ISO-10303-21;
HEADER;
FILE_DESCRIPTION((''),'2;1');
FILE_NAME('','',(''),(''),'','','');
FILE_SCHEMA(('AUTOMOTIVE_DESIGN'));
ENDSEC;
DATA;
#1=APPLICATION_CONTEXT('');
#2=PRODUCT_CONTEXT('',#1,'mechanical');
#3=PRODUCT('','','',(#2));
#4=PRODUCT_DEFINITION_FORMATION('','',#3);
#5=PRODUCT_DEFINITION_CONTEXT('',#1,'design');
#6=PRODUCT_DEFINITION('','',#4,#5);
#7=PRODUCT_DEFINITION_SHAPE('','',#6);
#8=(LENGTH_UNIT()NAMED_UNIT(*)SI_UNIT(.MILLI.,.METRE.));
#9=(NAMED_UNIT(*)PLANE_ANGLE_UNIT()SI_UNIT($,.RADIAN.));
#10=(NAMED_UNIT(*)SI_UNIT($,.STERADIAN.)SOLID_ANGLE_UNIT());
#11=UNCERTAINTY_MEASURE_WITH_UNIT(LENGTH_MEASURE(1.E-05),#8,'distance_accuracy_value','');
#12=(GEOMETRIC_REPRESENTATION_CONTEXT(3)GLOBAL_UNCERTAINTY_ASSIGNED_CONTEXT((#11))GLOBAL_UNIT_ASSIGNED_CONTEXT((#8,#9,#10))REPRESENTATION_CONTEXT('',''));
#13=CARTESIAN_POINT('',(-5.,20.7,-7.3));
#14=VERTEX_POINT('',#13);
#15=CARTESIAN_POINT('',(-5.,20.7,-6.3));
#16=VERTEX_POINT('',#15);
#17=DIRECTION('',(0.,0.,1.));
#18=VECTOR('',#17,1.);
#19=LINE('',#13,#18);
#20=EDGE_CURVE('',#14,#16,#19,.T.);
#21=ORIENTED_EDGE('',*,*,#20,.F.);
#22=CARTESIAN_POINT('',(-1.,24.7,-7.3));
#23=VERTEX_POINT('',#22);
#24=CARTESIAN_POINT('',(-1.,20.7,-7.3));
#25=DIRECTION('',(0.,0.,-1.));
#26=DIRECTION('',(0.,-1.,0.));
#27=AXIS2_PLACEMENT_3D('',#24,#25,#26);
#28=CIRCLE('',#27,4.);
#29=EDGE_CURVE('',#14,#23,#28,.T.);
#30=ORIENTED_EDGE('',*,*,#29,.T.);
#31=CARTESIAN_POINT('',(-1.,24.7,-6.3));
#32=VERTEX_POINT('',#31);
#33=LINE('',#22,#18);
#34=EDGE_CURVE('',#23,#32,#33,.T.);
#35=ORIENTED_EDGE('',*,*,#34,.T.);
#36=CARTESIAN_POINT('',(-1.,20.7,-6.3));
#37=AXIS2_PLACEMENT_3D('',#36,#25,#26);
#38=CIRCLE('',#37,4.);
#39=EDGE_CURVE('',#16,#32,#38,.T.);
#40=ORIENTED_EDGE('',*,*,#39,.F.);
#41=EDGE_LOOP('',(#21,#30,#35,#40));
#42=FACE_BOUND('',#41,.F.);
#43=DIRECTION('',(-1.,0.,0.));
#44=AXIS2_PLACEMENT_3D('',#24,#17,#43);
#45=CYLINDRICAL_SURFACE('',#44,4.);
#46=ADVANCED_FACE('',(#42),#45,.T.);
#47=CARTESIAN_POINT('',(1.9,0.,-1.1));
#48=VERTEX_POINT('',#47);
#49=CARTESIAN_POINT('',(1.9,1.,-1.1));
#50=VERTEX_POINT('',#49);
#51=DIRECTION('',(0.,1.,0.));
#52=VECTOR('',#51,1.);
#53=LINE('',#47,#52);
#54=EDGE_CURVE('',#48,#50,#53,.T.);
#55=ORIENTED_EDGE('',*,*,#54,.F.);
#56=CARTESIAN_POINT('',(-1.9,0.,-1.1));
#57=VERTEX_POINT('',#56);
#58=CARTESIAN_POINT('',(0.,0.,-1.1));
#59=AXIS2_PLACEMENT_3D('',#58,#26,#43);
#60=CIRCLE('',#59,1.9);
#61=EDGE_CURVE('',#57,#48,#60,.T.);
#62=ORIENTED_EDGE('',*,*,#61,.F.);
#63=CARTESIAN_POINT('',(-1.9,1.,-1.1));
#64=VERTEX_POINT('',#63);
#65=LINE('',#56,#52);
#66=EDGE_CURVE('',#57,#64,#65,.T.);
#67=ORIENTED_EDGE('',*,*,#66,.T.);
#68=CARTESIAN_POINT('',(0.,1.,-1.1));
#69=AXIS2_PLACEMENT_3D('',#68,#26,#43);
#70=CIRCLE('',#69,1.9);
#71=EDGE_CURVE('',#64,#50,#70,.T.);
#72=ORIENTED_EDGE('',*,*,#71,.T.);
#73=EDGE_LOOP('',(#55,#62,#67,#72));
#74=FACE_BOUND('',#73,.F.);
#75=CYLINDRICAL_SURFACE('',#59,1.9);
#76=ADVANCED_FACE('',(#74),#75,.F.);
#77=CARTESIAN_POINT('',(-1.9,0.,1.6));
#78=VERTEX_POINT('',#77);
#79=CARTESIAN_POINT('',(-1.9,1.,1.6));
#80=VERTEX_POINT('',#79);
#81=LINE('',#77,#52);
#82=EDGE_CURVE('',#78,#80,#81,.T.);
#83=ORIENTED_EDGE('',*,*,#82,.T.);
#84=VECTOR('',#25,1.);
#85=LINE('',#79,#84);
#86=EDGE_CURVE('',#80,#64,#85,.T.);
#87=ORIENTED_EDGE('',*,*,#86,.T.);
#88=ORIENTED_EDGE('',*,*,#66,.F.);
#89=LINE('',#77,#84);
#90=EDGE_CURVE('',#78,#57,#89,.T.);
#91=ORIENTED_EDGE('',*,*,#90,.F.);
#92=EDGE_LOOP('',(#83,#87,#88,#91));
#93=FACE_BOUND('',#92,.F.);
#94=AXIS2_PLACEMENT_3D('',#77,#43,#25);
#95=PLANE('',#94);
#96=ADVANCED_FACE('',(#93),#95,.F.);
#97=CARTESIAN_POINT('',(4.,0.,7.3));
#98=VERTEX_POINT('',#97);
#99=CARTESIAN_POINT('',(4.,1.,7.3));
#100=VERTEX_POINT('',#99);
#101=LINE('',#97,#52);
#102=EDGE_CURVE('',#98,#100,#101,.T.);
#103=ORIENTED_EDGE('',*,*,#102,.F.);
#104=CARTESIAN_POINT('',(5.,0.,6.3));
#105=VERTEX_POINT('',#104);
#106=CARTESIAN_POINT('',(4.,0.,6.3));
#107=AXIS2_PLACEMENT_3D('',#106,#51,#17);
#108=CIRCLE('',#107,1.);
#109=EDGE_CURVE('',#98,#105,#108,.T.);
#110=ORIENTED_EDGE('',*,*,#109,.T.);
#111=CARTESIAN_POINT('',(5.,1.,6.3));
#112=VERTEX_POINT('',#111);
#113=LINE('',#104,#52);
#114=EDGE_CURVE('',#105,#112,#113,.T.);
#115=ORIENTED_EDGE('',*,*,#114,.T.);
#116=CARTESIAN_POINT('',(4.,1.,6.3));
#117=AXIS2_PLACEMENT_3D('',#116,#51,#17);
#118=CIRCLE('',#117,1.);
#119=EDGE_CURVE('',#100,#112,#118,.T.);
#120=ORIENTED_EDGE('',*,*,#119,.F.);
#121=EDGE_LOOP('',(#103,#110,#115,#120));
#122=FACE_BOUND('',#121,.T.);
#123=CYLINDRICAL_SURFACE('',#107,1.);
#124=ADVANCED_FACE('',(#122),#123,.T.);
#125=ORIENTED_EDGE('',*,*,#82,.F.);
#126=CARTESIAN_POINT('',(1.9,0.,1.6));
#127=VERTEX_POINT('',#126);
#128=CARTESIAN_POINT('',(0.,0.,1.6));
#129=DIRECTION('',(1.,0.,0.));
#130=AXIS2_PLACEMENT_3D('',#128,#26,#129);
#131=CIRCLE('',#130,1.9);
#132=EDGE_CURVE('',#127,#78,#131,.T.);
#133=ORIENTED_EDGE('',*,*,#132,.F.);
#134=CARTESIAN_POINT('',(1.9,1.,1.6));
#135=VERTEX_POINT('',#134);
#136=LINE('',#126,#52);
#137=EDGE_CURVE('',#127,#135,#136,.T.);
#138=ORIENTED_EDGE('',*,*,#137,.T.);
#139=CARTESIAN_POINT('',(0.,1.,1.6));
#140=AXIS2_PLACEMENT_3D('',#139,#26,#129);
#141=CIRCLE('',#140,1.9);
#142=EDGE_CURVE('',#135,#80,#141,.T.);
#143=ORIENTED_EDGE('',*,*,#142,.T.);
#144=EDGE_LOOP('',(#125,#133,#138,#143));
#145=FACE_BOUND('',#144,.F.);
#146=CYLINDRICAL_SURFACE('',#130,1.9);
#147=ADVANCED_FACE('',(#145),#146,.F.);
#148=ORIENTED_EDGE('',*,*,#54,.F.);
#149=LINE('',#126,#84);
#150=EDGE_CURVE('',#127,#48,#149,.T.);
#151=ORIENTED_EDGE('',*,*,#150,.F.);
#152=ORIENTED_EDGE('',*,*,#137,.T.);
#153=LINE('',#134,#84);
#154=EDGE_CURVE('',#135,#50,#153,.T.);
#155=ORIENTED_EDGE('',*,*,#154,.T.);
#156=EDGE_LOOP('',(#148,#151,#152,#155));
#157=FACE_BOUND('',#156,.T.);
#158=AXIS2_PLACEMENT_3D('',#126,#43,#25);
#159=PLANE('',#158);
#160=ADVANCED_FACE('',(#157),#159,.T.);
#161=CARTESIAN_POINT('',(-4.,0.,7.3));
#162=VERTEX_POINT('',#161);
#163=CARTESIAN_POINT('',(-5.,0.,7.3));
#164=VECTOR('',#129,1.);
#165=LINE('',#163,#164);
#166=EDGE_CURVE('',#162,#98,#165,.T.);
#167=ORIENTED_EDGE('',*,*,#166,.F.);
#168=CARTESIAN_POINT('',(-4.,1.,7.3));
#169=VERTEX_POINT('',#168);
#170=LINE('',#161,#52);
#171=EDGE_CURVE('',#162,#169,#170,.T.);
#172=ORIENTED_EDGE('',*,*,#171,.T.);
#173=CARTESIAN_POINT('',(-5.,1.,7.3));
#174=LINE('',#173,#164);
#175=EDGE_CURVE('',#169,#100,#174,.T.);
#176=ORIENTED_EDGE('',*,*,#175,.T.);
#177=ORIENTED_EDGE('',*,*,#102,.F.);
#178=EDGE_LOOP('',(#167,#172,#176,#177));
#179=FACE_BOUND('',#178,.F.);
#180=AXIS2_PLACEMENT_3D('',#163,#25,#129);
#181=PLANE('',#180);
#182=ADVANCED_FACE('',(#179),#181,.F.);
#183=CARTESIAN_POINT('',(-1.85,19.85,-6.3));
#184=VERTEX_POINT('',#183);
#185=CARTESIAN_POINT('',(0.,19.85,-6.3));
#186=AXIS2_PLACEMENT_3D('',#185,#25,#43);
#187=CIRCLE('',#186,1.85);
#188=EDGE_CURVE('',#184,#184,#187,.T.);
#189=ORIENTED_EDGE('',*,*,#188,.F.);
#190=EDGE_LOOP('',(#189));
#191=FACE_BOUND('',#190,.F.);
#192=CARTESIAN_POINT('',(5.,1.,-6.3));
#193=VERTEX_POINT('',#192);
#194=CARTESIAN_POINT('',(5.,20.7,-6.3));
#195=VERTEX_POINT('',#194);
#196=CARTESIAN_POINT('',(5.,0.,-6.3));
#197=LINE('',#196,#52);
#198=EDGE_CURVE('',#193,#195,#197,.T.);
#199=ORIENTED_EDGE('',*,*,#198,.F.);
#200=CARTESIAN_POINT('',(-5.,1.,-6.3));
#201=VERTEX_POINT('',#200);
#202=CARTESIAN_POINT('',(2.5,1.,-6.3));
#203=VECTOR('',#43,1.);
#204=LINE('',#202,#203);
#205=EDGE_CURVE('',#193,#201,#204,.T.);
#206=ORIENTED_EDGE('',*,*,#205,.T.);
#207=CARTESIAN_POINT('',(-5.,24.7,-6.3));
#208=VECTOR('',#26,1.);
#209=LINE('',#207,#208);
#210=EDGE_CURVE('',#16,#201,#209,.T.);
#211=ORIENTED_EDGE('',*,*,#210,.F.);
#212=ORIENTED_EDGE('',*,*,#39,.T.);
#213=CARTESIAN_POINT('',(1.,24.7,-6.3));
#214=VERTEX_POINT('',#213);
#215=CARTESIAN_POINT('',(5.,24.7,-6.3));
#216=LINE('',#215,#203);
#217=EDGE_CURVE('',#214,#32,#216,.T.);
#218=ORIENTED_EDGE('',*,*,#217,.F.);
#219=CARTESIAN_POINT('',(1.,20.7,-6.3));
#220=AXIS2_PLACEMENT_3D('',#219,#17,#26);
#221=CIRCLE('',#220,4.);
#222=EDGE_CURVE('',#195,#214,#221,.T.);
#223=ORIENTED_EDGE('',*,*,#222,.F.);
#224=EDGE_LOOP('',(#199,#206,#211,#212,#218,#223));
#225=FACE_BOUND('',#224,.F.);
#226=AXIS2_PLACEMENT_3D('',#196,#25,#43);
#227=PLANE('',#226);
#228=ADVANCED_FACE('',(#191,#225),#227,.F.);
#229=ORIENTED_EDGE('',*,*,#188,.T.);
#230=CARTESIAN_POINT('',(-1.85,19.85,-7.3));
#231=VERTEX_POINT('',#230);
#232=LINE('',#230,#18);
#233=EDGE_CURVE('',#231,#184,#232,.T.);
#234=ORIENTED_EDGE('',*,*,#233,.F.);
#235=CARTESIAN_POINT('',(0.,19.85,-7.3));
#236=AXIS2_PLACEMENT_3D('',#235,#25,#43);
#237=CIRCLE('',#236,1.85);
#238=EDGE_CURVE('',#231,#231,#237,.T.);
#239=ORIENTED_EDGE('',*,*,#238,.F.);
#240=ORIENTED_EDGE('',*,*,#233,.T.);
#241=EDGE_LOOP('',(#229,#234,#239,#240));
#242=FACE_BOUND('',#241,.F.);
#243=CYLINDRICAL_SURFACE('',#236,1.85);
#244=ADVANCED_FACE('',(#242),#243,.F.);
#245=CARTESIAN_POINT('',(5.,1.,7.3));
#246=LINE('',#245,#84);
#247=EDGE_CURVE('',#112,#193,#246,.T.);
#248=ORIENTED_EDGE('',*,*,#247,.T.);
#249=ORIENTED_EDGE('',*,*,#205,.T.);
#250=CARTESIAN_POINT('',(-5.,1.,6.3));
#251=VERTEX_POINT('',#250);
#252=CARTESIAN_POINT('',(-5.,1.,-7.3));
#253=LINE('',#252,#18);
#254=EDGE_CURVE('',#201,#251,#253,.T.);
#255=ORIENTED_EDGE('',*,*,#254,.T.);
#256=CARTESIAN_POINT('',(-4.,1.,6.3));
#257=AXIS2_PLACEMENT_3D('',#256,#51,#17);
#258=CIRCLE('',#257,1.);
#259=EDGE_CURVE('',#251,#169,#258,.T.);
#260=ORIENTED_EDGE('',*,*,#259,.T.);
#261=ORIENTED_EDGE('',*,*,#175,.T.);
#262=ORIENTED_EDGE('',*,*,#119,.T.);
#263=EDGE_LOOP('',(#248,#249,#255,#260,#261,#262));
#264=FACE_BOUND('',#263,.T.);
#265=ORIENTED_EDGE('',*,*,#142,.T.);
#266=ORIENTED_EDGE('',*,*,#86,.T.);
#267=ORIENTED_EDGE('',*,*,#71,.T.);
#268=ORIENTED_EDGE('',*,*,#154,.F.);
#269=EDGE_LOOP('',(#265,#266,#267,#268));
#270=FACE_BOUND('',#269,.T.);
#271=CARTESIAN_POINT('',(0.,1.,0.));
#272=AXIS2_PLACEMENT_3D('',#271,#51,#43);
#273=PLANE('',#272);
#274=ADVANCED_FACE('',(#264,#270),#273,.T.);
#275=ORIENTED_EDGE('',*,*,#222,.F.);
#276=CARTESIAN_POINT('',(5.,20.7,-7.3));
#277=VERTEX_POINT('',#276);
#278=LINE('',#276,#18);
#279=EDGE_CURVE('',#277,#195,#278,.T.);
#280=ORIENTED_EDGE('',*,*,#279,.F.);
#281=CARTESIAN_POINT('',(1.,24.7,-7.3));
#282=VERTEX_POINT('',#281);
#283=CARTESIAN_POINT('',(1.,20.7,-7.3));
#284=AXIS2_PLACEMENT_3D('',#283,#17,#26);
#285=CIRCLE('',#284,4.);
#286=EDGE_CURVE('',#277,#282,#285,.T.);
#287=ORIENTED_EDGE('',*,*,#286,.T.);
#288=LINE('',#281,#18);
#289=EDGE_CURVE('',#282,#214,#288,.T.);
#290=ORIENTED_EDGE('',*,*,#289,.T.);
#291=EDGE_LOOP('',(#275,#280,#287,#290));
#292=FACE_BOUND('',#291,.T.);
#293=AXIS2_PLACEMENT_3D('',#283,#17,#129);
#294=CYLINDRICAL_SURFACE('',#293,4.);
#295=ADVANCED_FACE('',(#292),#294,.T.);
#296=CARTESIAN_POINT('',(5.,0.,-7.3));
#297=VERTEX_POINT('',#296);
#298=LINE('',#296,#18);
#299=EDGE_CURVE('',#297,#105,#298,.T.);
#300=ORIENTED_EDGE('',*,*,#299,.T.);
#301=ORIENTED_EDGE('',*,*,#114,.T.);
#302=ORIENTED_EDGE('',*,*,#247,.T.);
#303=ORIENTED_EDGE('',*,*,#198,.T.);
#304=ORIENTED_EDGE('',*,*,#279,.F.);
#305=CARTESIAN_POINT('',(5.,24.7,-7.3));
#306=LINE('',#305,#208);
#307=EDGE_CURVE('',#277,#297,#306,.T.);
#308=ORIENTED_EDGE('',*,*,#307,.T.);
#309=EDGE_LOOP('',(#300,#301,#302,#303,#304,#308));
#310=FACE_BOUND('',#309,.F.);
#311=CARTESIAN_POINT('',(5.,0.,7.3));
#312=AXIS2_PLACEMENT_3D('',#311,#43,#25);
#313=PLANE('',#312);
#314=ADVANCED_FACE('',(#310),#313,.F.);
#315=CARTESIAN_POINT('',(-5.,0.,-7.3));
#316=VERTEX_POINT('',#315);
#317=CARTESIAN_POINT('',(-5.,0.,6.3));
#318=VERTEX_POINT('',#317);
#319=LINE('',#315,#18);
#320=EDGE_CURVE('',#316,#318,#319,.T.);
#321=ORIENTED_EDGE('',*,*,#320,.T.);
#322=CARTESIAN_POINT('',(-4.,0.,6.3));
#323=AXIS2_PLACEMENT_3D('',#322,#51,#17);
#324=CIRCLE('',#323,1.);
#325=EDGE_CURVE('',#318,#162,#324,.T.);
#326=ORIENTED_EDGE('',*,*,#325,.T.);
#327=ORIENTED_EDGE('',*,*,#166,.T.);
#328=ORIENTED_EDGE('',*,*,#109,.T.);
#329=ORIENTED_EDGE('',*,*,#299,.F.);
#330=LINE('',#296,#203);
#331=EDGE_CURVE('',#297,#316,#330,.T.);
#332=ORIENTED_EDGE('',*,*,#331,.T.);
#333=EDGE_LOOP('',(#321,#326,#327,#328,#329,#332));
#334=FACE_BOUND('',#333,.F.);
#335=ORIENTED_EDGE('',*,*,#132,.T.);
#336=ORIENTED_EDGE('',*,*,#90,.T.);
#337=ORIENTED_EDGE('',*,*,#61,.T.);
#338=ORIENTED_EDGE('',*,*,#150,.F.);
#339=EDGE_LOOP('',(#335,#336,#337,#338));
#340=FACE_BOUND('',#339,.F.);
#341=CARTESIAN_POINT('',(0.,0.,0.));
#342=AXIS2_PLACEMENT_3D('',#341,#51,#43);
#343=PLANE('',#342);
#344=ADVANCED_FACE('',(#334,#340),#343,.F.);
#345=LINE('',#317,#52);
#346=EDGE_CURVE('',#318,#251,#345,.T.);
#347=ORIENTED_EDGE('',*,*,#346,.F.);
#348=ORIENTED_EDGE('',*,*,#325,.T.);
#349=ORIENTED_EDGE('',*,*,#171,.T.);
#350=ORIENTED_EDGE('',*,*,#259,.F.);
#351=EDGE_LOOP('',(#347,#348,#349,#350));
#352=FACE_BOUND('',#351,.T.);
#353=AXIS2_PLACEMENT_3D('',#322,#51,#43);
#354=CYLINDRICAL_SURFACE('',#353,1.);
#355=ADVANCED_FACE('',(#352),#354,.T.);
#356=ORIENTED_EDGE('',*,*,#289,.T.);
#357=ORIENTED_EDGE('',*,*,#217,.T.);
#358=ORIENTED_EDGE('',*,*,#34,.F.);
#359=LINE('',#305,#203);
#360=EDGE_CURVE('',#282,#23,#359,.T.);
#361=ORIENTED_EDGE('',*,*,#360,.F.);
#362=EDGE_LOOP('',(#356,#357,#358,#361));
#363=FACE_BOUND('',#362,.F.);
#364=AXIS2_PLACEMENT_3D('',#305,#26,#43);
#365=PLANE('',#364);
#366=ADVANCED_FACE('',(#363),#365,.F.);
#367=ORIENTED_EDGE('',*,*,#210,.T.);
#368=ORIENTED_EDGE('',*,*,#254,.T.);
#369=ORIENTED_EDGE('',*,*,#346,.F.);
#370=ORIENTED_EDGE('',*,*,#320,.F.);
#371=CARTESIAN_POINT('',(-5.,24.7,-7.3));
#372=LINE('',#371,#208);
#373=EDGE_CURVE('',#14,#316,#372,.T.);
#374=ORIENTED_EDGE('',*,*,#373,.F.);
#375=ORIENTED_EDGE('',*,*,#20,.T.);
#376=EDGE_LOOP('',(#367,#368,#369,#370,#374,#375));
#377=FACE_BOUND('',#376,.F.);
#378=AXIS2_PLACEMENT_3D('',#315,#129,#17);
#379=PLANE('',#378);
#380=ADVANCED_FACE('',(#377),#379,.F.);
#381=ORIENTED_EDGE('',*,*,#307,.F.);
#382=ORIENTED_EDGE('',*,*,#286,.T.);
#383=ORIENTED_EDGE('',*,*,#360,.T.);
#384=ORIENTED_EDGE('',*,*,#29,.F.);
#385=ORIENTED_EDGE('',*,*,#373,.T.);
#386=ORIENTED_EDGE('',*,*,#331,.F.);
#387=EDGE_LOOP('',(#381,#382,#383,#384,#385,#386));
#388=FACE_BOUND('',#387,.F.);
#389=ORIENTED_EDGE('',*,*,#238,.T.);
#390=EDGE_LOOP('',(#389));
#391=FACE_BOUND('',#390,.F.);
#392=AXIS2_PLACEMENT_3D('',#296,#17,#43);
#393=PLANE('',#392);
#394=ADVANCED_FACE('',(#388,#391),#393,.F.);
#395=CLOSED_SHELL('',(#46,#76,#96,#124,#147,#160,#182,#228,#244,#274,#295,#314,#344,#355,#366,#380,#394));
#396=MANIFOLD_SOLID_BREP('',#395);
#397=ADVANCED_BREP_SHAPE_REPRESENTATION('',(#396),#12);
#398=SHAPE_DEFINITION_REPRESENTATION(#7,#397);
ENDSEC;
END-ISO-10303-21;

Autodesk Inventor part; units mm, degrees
ref_plane "YZ Plane" through (0, 0, 0) normal (1, 0, 0) x (0, 1, 0)
ref_plane "XZ Plane" through (0, 0, 0) normal (0, 1, 0) x (-1, 0, 0)
ref_plane "XY Plane" through (0, 0, 0) normal (0, 0, 1) x (1, 0, 0)
sketch "Sketch1" plane through (0, 0, 0) normal (0, 1, 0) x (-1, 0, 0)
  line L0 (5, 7.3) -> (-5, 7.3)
  line L1 (-5, 7.3) -> (-5, -7.3)
  line L2 (-5, -7.3) -> (5, -7.3)
  line L3 (5, -7.3) -> (5, 7.3)
  line L4 (5, 7.3) -> (-5, -7.3) construction
  line L5 (-5, 7.3) -> (5, -7.3) construction
  point P0 (0, 0)
  dimension "d0" = 10
  dimension "d1" = 14.6
extrude "Extrusion1" add sketch "Sketch1" along normal blind 1
sketch "Sketch2" plane through (5, 0, -7.3) normal (0, 0, -1) x (-1, 0, 0)
  line L0 (10, 0) -> (0, 0) projected
  line L1 (0, 0) -> (0, 24.7)
  line L2 (0, 24.7) -> (10, 24.7)
  line L3 (10, 24.7) -> (10, 0)
  point P0 (5, 0)
  dimension "d4" = 24.7
extrude "Extrusion2" add sketch "Sketch2" against normal blind 1
fillet "Fillet1" radius 4 2 edges at (5, 24.7, -6.8) (-5, 24.7, -6.8)
fillet "Fillet2" radius 1 2 edges at (-5, 0.5, 7.3) (5, 0.5, 7.3)
sketch "Sketch3" plane through (5, 0, -7.3) normal (0, 0, -1) x (-1, 0, 0)
  circle A0 centre (5, 19.85) radius 1.85
  line L0 (0, 0) -> (0, 20.7) projected
  line L1 (5, 21.7) -> (6.6441, 21.7) construction
  line L2 (4, 24.7) -> (6, 24.7) construction
  point P0 (5, 0)
  dimension "d9" = 3.7
  dimension "d10" = 5
  dimension "d11" = 3
extrude "Extrusion3" cut sketch "Sketch3" against normal blind 1
sketch "Sketch4" plane through (0, 0, 0) normal (0, -1, 0) x (1, 0, 0)
  arc A0 (1.9, 1.6) -> (-1.9, 1.6) centre (0, 1.6) ccw
  line L0 (-5, -7.3) -> (-5, 6.3) projected
  line L1 (-4, 7.3) -> (4, 7.3) construction
  line L2 (0, 3.5) -> (1.9, 3.5) construction
  arc A1 (-1.9, -1.1) -> (1.9, -1.1) centre (0, -1.1) ccw
  line L3 (0, -3) -> (1.9, -3) construction
  line L4 (1.9, 1.6) -> (1.9, -1.1)
  line L5 (-1.9, 1.6) -> (-1.9, -1.1)
  point P0 (0, 0)
  dimension "d14" = 3.8
  dimension "d15" = 5
  dimension "d17" = 3.8
  dimension "d18" = 3.8
  dimension "d19" = 6.5
  dimension "d20" = 5
extrude "Extrusion4" cut sketch "Sketch4" against normal blind 1
properties part number "Angle bracket long"
